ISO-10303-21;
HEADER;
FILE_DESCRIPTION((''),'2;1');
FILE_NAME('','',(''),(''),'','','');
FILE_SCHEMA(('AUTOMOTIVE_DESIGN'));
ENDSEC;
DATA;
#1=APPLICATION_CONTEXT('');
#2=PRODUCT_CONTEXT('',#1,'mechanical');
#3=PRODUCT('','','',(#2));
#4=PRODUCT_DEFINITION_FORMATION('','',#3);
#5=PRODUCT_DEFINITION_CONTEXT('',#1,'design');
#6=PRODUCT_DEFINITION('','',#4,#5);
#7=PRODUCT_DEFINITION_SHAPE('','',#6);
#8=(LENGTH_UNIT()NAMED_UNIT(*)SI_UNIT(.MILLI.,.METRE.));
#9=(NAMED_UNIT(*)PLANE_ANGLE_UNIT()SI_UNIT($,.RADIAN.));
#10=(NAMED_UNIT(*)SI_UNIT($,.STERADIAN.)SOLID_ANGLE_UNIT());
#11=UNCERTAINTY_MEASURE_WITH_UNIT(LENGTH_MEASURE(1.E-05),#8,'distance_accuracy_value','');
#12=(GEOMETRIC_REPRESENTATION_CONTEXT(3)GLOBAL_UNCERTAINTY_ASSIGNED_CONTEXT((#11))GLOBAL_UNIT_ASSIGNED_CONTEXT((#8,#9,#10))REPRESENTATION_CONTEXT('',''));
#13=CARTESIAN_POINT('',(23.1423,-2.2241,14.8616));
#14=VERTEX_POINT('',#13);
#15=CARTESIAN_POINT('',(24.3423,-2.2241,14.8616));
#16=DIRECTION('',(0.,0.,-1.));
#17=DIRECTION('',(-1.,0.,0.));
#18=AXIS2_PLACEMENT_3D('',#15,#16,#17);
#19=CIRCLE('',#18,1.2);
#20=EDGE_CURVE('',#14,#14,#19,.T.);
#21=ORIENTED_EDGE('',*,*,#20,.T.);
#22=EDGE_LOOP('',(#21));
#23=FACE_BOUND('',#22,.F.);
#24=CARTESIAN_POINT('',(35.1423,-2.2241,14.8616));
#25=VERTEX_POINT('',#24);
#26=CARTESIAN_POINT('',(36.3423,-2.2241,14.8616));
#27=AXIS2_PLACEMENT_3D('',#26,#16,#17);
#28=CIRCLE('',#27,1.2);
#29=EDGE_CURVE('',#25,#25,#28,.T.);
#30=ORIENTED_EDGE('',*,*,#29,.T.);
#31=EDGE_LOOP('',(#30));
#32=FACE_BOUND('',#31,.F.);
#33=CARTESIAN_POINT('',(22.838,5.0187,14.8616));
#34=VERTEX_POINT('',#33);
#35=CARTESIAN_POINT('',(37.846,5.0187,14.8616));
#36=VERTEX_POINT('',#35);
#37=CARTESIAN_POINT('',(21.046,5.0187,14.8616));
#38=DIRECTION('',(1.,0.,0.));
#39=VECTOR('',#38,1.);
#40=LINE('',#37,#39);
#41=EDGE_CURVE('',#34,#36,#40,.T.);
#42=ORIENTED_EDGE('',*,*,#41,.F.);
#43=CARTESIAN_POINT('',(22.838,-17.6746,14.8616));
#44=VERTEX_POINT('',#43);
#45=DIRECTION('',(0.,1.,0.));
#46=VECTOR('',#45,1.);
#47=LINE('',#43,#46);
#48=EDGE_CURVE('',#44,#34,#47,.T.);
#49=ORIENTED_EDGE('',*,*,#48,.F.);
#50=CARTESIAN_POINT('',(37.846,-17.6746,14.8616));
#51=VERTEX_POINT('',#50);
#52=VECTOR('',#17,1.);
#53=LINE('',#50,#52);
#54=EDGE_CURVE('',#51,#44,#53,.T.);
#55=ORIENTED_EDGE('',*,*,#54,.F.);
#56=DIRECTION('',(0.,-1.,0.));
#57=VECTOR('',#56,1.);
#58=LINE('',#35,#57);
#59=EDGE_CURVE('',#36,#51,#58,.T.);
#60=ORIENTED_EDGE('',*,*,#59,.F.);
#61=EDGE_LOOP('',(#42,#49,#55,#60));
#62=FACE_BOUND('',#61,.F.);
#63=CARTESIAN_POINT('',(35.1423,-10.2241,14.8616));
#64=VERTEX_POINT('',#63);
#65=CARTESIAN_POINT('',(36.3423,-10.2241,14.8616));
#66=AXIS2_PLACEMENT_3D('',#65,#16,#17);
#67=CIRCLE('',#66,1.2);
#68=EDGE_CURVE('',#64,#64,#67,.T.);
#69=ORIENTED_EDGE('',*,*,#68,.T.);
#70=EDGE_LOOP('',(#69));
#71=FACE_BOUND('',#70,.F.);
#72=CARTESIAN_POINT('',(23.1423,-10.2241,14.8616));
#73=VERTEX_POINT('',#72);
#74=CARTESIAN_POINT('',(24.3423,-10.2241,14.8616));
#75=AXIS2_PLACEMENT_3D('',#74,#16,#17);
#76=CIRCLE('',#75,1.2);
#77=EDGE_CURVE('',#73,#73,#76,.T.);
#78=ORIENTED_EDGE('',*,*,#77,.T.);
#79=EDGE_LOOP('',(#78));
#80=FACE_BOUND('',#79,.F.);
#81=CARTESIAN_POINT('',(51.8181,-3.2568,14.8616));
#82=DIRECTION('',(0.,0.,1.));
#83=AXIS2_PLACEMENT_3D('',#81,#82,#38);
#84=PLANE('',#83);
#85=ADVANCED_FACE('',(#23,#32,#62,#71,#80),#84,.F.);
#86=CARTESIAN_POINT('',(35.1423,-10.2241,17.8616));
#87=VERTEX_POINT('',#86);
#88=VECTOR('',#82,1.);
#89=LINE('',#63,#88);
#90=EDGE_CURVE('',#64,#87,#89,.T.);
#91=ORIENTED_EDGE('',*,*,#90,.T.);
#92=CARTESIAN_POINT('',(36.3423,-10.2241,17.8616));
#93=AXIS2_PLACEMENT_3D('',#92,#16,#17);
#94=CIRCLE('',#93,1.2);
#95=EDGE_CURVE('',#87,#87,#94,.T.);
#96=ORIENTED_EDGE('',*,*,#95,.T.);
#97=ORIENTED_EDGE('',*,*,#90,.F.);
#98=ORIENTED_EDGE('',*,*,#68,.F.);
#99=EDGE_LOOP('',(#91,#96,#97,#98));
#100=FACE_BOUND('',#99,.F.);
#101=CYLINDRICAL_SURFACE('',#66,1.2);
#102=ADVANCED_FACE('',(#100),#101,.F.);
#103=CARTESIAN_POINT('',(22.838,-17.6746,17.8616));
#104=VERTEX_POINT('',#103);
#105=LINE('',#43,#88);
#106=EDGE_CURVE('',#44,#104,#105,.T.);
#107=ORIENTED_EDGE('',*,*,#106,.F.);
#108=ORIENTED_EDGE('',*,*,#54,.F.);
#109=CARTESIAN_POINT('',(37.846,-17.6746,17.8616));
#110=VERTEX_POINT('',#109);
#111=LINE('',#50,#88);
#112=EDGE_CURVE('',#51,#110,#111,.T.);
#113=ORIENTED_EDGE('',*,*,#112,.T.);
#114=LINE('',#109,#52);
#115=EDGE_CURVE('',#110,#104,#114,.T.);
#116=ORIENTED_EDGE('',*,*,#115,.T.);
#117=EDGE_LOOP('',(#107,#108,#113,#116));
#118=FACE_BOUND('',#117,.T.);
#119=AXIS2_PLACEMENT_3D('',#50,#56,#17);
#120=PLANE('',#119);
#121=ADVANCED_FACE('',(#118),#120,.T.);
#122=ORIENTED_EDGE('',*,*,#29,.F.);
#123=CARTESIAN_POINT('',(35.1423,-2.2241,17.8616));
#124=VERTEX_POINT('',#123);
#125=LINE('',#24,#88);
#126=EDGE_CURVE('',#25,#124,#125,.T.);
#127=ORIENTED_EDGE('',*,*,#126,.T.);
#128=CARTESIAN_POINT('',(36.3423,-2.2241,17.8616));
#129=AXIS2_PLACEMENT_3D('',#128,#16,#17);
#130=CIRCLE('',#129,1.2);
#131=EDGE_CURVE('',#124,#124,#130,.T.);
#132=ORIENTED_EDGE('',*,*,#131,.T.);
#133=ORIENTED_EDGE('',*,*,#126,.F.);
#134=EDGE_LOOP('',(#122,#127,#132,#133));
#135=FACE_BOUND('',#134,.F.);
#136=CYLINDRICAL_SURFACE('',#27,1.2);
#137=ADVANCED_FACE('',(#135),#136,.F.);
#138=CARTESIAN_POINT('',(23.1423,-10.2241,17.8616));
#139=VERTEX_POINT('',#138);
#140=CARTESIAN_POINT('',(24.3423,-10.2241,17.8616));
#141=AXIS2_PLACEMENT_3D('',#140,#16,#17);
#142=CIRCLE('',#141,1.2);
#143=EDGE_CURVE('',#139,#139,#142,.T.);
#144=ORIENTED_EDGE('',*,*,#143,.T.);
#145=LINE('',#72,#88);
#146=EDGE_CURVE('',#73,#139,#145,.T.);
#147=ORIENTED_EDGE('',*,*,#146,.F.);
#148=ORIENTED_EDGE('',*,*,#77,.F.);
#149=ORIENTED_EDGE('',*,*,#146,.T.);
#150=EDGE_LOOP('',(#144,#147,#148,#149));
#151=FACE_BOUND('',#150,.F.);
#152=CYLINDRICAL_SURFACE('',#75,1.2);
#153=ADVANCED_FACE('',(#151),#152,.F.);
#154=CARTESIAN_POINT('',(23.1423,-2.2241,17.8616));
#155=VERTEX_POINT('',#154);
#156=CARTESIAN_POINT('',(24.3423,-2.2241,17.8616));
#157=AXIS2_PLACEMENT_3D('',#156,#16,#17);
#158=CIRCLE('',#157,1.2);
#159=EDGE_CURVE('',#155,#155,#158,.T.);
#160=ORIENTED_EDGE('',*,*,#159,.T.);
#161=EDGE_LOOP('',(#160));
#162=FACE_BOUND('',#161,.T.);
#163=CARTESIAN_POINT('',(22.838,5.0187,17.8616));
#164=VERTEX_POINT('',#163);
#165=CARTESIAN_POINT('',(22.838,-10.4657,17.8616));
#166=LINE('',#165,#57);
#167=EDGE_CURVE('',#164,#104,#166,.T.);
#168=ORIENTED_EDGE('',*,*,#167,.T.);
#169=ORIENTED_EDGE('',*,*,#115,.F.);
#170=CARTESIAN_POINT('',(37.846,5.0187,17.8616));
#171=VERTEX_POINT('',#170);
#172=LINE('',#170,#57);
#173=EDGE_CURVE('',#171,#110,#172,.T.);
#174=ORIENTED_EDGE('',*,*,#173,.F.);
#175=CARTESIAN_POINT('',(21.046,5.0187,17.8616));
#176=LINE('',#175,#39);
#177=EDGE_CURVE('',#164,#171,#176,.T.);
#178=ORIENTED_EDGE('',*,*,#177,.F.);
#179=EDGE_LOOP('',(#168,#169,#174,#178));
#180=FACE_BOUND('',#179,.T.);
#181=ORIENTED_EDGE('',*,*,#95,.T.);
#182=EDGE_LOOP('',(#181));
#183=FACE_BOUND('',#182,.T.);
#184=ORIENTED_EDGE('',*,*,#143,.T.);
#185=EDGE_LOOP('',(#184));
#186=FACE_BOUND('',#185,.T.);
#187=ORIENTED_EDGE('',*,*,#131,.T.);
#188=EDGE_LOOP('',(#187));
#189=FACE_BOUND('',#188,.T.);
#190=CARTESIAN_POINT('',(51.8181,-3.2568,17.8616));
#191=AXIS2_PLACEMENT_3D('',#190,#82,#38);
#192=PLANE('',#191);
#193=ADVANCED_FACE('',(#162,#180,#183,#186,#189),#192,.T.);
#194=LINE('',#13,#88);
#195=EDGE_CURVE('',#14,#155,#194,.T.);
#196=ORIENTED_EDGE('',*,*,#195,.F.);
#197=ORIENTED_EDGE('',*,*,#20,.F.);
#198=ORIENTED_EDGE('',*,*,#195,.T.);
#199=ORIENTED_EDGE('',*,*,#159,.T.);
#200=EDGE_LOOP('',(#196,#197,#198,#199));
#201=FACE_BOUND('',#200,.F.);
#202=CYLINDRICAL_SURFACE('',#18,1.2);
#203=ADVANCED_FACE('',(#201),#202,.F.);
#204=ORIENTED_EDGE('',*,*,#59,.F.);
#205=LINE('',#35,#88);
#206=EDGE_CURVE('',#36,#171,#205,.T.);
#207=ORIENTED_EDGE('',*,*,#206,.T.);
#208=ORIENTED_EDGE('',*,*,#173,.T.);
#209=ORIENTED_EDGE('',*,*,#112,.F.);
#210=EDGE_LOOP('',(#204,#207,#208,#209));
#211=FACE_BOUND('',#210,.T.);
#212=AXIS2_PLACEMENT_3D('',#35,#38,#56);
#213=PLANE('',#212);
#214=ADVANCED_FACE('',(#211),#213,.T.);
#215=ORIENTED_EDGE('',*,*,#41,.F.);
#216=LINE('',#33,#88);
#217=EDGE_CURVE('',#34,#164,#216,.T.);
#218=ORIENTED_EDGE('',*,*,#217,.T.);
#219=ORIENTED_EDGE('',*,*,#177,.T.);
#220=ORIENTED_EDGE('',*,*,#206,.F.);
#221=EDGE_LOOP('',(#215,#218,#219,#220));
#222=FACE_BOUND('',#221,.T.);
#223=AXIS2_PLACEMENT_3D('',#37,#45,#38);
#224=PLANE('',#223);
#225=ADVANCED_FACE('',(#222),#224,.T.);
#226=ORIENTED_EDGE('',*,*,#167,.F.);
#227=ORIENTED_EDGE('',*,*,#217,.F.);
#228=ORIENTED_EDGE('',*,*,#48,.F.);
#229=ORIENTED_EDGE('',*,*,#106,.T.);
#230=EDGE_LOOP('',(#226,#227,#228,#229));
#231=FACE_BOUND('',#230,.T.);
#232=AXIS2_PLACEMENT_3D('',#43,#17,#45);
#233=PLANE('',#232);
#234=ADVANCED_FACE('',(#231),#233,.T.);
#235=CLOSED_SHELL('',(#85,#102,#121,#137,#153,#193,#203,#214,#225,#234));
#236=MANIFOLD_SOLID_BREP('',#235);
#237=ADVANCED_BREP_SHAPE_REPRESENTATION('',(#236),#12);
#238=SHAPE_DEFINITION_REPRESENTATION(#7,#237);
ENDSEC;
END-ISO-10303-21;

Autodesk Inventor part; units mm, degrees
ref_plane "YZ Plane" through (0, 0, 0) normal (1, 0, 0) x (0, 1, 0)
ref_plane "XZ Plane" through (0, 0, 0) normal (0, 1, 0) x (-1, 0, 0)
ref_plane "XY Plane" through (0, 0, 0) normal (0, 0, 1) x (1, 0, 0)
ref_plane "РабПлоскость1" through (51.8181, -3.2568, 14.8616) normal (0, 0, 1) x (1, 0, 0)
sketch "Эскиз1" plane through (51.8181, -3.2568, 14.8616) normal (0, 0, 1) x (1, 0, 0)
  line L0 (-26.6721, 3.7827) -> (-26.6721, -9.7173)
  line L1 (-30.7721, 8.2755) -> (-13.9721, 8.2755)
  line L2 (-13.9721, 8.2755) -> (-13.9721, -14.4178)
  line L3 (-13.9721, -14.4178) -> (-30.7721, -14.4178)
  line L4 (-30.7721, -14.4178) -> (-30.7721, 8.2755)
  point P0 (-51.8181, 3.2568)
extrude "Выдавливание1" add sketch "Эскиз1" along normal blind 3
sketch "Эскиз2" plane through (51.8181, -3.2568, 14.8616) normal (0, 0, -1) x (-1, 0, 0)
  circle A0 centre (27.4758, 1.0327) radius 1.2
  circle A1 centre (15.4758, 1.0327) radius 1.2
  circle A2 centre (15.4758, -6.9673) radius 1.2
  circle A3 centre (27.4758, -6.9673) radius 1.2
  point P0 (51.8181, 3.2568)
extrude "Выдавливание2" cut sketch "Эскиз2" against normal blind 10
sketch "Эскиз3" plane through (51.8181, -3.2568, 14.8616) normal (0, 0, -1) x (-1, 0, 0)
  line L0 (30.7721, -14.4178) -> (13.9721, -14.4178) projected
  line L1 (13.9721, -14.4178) -> (28.9801, -14.4178)
  line L2 (28.9801, -14.4178) -> (28.9801, 8.2755)
  line L3 (28.9801, 8.2755) -> (13.9721, 8.2755)
  line L4 (13.9721, 8.2755) -> (13.9721, -14.4178)
  line L5 (13.9721, 8.2755) -> (30.7721, 8.2755) projected
  line L6 (30.7721, -14.4178) -> (28.9801, -14.4178)
  line L7 (28.9801, -14.4178) -> (28.9801, 8.2755)
  line L8 (28.9801, 8.2755) -> (30.7721, 8.2755)
  line L9 (30.7721, 8.2755) -> (30.7721, -14.4178)
  point P0 (51.8181, 3.2568)
  point P1 (30.7721, 8.2755)
  point P2 (28.9801, 8.2755)
  dimension "d4" = 15.008
extrude "Выдавливание3" cut sketch "Эскиз3" against normal blind 10 contours L0 L2 L5 L9
properties part number "проставк"
